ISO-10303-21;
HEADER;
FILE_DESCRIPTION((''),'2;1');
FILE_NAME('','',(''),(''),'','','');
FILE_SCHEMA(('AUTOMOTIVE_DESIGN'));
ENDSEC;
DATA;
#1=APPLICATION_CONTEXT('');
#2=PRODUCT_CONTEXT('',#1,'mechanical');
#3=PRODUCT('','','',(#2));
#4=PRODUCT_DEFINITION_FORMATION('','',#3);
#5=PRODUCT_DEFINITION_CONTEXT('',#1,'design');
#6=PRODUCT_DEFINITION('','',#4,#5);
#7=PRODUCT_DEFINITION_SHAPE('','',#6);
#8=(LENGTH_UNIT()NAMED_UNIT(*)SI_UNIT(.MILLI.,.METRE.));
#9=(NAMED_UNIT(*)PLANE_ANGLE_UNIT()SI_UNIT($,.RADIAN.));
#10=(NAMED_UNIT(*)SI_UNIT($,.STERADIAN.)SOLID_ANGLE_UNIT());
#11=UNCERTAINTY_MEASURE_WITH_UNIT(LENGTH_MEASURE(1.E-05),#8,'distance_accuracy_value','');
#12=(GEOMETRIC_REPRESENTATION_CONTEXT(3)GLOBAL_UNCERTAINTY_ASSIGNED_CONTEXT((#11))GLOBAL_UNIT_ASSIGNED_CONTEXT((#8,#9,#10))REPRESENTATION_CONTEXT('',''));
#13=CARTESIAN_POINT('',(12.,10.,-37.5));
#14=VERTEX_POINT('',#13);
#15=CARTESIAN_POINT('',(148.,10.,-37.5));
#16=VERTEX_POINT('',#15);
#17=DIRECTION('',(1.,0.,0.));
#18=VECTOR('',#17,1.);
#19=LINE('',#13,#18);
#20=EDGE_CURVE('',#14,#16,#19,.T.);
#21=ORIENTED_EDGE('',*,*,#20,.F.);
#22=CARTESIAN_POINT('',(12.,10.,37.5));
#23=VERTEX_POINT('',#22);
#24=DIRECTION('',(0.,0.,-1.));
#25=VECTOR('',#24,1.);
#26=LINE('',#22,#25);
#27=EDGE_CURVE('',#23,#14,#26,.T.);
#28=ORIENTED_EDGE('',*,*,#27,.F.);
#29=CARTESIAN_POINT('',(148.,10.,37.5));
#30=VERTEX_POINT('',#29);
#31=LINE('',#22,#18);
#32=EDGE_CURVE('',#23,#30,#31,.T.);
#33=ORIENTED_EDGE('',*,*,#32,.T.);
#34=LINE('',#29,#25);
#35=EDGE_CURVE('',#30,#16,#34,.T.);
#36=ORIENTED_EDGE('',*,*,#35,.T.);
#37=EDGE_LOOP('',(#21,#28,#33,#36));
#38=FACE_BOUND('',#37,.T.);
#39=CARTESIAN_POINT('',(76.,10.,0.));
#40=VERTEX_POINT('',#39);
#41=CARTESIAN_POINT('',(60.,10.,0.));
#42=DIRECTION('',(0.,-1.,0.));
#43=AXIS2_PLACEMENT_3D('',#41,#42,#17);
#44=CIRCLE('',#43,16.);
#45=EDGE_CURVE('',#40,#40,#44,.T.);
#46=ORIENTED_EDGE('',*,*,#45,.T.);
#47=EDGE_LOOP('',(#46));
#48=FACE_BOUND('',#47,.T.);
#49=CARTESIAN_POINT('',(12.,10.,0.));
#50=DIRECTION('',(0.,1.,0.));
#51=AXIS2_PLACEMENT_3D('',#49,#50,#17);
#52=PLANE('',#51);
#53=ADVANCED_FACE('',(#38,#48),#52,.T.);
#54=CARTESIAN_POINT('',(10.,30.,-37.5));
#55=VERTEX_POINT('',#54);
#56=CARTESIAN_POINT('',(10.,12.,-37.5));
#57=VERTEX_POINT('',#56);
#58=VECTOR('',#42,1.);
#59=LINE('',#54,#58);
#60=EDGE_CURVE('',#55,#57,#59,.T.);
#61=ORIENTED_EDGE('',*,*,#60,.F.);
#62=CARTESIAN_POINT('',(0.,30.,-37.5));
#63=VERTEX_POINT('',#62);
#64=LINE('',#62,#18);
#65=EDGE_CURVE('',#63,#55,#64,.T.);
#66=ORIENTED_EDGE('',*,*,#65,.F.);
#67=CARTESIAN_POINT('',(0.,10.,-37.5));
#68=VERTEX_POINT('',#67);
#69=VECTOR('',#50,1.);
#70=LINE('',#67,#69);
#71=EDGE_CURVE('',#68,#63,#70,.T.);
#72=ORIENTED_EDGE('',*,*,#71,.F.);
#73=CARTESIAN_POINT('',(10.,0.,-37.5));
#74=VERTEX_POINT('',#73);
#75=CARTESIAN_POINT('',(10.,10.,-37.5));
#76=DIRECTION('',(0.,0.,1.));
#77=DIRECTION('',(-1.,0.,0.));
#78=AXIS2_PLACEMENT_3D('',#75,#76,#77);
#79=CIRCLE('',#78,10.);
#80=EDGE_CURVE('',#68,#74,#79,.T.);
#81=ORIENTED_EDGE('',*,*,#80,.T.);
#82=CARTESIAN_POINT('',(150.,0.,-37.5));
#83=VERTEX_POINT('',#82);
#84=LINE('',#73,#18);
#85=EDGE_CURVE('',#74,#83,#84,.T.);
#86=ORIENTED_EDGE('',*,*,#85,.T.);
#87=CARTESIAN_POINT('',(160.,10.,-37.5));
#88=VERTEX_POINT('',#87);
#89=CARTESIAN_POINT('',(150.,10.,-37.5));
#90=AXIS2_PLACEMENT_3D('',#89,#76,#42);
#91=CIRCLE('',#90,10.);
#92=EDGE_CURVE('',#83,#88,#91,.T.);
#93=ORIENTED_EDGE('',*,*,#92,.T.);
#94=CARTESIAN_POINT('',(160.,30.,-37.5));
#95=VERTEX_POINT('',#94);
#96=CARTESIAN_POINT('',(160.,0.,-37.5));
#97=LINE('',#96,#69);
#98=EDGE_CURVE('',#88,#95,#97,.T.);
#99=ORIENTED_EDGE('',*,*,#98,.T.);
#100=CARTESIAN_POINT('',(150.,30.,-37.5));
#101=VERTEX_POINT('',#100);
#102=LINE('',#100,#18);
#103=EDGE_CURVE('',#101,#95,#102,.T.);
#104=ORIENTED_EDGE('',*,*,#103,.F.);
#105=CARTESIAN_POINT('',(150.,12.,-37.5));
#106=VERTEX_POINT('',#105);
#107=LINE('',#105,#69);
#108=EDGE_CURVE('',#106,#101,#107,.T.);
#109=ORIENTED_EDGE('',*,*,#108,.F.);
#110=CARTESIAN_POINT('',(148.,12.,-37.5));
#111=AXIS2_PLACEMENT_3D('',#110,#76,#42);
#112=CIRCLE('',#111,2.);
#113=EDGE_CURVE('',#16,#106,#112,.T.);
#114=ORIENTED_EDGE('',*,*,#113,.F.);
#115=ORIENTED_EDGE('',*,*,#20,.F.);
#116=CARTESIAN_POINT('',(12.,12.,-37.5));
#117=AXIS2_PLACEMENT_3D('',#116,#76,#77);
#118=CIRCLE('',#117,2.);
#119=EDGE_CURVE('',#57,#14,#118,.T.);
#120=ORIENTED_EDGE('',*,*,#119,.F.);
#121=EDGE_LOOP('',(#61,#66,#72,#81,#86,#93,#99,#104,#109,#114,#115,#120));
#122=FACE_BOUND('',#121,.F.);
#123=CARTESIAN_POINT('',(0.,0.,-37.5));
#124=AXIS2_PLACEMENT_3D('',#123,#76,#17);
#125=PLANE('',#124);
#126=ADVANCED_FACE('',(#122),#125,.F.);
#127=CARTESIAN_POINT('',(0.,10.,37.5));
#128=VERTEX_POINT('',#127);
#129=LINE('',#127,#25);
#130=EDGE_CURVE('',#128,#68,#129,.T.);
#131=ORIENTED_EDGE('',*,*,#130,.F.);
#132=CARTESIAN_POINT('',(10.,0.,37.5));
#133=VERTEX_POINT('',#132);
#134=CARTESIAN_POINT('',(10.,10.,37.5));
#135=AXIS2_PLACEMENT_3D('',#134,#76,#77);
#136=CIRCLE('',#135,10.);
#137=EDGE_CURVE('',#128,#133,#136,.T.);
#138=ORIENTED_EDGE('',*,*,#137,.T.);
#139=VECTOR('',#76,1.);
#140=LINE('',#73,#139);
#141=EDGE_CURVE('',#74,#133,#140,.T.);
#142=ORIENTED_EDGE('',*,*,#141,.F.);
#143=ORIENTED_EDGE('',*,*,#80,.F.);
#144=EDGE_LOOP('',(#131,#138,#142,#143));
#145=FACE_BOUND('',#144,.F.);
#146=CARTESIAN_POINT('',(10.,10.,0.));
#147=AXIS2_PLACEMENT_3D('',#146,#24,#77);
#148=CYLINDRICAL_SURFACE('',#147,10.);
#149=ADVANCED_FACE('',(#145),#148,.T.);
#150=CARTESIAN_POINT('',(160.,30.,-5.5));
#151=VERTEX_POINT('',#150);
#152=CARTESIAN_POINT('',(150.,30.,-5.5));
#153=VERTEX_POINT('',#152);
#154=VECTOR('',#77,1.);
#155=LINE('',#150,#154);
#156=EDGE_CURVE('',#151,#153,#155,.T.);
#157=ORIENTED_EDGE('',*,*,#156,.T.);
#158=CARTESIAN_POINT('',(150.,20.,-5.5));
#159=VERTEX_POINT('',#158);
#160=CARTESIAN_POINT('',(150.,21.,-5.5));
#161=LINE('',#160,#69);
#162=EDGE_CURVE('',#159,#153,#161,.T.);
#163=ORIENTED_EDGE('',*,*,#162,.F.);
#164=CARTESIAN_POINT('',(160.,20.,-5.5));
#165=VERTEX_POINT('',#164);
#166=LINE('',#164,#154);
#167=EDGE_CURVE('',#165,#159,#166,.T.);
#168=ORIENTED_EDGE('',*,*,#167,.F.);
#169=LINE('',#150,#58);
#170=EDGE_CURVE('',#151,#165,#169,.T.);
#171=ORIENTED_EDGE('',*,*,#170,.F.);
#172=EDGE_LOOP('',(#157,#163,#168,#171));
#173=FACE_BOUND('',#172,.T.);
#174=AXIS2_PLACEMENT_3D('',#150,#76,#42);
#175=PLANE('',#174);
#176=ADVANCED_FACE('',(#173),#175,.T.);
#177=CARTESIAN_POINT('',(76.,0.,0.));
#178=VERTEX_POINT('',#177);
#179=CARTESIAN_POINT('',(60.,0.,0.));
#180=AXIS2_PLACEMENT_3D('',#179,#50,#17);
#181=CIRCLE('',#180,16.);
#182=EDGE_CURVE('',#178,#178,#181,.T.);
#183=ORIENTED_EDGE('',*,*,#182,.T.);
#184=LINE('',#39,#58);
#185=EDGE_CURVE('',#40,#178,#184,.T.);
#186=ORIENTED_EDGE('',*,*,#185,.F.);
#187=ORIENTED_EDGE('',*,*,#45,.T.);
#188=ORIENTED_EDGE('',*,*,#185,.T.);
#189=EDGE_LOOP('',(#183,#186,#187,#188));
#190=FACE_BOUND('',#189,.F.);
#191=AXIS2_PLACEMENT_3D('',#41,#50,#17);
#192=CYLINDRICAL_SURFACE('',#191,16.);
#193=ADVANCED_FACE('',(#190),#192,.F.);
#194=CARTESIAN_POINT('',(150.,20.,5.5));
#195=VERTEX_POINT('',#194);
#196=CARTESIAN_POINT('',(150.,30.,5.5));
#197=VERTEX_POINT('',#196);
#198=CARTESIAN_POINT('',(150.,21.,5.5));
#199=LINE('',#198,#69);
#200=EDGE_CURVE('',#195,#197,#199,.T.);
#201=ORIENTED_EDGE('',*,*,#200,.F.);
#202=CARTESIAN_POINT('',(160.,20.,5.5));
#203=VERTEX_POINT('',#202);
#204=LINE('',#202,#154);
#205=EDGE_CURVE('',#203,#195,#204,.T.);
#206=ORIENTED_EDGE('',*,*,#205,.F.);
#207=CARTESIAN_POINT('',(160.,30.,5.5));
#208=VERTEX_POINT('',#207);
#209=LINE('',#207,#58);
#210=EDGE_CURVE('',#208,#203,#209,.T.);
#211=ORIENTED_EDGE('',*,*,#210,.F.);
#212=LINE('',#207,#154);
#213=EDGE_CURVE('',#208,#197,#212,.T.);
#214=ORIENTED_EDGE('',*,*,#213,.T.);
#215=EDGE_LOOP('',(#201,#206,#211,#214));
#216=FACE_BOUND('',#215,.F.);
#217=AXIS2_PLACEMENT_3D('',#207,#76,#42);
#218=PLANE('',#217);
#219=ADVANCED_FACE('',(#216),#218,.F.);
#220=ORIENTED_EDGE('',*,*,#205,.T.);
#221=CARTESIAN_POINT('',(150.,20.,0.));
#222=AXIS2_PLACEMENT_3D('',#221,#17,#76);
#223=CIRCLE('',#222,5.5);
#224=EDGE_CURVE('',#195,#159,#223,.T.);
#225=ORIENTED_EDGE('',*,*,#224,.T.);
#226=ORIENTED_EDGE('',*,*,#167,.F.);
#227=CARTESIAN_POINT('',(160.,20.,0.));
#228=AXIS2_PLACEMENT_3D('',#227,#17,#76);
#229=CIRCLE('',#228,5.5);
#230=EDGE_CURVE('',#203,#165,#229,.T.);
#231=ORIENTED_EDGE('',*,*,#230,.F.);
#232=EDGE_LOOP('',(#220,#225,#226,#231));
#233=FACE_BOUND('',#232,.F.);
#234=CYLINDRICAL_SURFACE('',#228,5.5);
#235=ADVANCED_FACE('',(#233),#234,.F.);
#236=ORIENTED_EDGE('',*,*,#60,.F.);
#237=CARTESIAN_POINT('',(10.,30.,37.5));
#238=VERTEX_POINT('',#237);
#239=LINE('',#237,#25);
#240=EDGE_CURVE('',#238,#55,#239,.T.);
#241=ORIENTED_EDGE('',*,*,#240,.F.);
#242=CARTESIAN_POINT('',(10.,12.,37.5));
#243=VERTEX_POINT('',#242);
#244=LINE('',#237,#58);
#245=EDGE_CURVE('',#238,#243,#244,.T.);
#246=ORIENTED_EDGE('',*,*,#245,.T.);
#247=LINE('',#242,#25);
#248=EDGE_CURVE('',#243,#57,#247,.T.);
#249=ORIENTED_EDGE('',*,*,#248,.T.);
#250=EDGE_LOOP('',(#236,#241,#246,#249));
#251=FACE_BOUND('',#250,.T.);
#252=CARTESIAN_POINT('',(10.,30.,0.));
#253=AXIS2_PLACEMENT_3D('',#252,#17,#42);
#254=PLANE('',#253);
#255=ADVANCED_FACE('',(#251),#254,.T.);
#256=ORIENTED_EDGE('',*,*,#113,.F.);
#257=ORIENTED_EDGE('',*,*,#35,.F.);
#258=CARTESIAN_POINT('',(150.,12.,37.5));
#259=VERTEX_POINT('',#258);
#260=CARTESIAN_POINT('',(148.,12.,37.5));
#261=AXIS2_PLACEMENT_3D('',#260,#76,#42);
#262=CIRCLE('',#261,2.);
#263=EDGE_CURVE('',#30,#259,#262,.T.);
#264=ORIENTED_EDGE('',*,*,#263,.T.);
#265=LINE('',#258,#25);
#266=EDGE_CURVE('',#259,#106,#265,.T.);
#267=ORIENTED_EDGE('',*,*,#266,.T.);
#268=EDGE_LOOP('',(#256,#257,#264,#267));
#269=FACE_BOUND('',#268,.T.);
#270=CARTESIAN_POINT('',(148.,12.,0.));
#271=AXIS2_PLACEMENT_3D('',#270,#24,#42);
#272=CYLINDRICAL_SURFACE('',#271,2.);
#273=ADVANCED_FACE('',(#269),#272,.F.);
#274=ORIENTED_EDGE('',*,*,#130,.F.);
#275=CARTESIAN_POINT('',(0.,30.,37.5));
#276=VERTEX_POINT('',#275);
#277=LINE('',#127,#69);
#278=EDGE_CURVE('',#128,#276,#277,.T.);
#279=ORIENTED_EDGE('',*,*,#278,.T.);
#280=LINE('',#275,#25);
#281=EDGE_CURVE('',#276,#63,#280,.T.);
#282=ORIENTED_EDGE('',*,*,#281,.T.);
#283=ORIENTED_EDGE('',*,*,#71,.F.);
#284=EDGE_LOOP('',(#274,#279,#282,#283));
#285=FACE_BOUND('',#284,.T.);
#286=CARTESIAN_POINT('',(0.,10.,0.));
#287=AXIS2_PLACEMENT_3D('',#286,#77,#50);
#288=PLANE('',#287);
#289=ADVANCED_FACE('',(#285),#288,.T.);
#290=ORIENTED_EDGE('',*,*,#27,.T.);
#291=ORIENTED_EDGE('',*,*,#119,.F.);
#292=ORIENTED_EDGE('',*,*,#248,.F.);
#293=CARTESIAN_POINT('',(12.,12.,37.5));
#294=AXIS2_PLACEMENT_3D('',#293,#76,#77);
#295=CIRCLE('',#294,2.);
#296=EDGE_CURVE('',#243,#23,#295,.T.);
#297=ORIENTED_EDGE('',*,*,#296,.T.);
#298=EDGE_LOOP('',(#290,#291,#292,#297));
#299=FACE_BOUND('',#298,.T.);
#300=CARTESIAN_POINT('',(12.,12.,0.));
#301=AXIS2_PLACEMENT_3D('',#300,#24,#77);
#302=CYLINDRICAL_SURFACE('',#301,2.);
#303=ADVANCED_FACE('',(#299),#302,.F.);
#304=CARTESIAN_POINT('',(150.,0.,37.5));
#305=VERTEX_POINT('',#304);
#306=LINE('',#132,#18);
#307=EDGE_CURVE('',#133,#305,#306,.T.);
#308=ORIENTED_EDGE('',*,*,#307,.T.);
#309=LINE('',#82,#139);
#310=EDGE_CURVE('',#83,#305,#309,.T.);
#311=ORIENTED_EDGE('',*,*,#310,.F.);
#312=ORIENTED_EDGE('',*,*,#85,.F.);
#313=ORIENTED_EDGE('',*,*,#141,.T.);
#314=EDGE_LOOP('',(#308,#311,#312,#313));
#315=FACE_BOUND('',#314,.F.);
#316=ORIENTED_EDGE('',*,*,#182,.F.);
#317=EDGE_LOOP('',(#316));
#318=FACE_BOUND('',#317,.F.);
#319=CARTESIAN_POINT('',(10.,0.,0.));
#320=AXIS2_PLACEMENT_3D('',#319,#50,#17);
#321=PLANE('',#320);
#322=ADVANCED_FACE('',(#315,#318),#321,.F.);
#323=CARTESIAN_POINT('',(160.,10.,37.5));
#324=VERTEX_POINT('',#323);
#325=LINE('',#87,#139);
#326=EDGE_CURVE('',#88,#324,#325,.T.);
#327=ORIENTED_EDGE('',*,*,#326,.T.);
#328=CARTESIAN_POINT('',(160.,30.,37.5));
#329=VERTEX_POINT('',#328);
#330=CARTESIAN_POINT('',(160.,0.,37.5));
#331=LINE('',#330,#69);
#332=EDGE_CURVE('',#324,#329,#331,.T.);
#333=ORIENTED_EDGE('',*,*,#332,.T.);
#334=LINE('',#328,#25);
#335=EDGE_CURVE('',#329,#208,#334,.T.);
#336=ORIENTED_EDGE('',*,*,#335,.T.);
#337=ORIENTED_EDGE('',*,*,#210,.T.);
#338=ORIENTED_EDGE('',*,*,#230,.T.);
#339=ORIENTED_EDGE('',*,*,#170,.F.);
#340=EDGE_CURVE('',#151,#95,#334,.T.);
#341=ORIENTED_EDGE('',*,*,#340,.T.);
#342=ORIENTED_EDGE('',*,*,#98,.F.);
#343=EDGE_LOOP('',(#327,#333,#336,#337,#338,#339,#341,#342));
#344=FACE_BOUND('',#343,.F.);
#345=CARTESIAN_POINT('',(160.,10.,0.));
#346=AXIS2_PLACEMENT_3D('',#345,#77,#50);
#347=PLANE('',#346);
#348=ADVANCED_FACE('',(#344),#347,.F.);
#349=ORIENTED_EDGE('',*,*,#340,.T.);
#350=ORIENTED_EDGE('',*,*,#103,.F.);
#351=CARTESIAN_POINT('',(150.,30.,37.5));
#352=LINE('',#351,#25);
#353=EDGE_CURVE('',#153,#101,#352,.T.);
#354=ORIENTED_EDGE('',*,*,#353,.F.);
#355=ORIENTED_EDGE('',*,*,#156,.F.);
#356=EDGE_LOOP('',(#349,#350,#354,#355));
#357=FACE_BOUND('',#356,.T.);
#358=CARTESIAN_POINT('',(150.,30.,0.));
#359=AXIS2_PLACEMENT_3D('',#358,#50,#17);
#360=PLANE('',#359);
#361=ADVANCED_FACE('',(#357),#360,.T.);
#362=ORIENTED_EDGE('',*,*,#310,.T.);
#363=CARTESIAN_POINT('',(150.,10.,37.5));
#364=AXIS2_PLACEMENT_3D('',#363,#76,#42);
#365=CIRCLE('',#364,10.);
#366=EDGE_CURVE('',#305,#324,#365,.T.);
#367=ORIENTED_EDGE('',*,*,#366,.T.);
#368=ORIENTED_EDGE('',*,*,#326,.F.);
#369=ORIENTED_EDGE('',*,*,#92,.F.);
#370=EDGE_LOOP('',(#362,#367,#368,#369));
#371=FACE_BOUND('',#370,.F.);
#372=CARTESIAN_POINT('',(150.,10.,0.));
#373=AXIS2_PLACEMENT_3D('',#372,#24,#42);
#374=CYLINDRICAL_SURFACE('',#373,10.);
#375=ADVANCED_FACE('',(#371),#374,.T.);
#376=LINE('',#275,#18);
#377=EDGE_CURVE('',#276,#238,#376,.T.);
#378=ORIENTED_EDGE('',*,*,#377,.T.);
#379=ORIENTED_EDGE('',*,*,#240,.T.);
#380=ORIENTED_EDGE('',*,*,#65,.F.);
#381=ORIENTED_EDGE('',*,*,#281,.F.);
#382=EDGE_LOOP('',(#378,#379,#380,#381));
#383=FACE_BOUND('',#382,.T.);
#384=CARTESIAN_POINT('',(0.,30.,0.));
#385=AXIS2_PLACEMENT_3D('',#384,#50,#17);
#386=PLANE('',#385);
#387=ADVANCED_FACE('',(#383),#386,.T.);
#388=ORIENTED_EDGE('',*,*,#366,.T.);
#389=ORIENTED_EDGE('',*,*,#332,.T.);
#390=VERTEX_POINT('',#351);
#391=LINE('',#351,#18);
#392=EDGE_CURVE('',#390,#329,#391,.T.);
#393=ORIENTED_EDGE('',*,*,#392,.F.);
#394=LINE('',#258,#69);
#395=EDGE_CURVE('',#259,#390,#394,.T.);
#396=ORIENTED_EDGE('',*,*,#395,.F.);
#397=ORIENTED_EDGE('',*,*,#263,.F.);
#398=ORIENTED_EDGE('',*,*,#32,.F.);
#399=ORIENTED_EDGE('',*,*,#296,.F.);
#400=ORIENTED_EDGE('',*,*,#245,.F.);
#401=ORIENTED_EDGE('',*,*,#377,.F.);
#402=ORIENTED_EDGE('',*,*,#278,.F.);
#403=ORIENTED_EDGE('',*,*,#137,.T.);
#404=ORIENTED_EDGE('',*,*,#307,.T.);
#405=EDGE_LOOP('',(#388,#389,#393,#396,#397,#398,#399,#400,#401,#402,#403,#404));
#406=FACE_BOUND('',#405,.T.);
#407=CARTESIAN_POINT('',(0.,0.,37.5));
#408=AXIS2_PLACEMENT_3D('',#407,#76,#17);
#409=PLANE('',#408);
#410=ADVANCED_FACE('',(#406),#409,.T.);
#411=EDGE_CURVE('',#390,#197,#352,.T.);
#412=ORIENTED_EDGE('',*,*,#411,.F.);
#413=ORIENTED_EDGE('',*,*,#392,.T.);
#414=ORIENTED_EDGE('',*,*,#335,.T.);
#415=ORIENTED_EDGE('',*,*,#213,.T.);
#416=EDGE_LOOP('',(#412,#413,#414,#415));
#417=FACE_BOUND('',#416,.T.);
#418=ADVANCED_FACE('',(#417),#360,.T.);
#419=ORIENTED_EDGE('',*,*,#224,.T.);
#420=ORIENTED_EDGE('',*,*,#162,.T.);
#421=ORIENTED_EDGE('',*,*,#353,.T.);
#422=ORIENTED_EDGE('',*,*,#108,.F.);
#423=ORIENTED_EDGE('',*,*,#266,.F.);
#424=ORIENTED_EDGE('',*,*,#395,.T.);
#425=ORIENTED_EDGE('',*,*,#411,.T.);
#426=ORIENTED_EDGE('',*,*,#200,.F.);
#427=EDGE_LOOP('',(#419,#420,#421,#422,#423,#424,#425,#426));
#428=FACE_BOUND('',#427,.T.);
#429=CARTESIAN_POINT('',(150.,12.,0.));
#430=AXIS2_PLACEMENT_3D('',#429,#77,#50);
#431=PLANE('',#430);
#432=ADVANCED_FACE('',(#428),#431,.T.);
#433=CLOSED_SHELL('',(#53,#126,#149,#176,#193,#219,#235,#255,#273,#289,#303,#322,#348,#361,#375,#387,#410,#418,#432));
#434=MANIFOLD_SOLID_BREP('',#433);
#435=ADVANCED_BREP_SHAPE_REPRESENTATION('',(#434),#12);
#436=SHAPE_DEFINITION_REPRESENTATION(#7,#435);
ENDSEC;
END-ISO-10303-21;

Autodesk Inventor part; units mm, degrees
ref_plane "YZ Plane" through (0, 0, 0) normal (1, 0, 0) x (0, 1, 0)
ref_plane "XZ Plane" through (0, 0, 0) normal (0, 1, 0) x (-1, 0, 0)
ref_plane "XY Plane" through (0, 0, 0) normal (0, 0, 1) x (1, 0, 0)
sketch "Sketch1" plane through (0, 0, 0) normal (0, 0, 1) x (1, 0, 0)
  line L0 (10, 0) -> (150, 0)
  line L1 (160, 0) -> (160, 30)
  line L2 (0, 10) -> (0, 30)
  line L3 (0, 30) -> (10, 30)
  line L4 (10, 30) -> (10, 10)
  line L5 (12, 10) -> (150, 10)
  line L6 (150, 12) -> (150, 30)
  line L7 (150, 30) -> (160, 30)
  arc A0 (0, 10) -> (10, 0) centre (10, 10) ccw
  arc A1 (150, 0) -> (160, 10) centre (150, 10) ccw
  arc A2 (10, 12) -> (12, 10) centre (12, 12) ccw
  arc A3 (148, 10) -> (150, 12) centre (148, 12) ccw
  point P0 (0, 0)
  dimension "d0" = 160
  dimension "d1" = 30
  dimension "d2" = 30
  dimension "d3" = 10
  dimension "d4" = 20
  dimension "d5" = 140
  dimension "d8" = 20
  dimension "d9" = 20
  dimension "d10" = 4
  dimension "d11" = 4
extrude "Extrusion1" add sketch "Sketch1" along normal mid plane 75
sketch "Sketch2" plane through (160, 10, 37.5) normal (1, 0, 0) x (0, 0, -1)
  line L0 (37.5, -10) -> (0, -10)
  line L1 (0, -10) -> (75, -10) projected
  line L2 (32, 20) -> (32, 10)
  line L3 (43, 20) -> (43, 10)
  arc A0 (32, 10) -> (43, 10) centre (37.5, 10) ccw
  line L4 (32, 20) -> (43, 20)
  line L5 (75, 20) -> (0, 20) projected
  dimension "d16" = 11
extrude "Extrusion2" cut sketch "Sketch2" against normal blind 75
sketch "Sketch3" plane through (12, 10, 37.5) normal (0, 1, 0) x (1, 0, 0)
  line L0 (0, 0) -> (0, 75) projected
  circle A0 centre (48, 37.5) radius 16
  line L1 (-12, 0) -> (-12, 75) projected
  line L2 (-12, 0) -> (-12, 37.5)
  line L3 (-12, 37.5) -> (48, 37.5)
  dimension "d20" = 32
  dimension "d22" = 60
extrude "Extrusion3" cut sketch "Sketch3" against normal through all
equation "\"BendRadius\" = Thickness"
equation "\"BendReliefWidth\" = Thickness"
equation "\"BendReliefDepth\" = 0.5 * Thickness"
equation "\"CornerReliefSize\" = 4 * Thickness"
equation "\"MinimumRemnant\" = 2 * Thickness"
equation "\"TransitionRadius\" = BendRadius"
equation "\"JacobiRadiusSize\" = BendRadius"
equation "\"GapSize\" = Thickness"
equation "\"Thickness\" = 0.5"
properties part number "Base-Plate"
